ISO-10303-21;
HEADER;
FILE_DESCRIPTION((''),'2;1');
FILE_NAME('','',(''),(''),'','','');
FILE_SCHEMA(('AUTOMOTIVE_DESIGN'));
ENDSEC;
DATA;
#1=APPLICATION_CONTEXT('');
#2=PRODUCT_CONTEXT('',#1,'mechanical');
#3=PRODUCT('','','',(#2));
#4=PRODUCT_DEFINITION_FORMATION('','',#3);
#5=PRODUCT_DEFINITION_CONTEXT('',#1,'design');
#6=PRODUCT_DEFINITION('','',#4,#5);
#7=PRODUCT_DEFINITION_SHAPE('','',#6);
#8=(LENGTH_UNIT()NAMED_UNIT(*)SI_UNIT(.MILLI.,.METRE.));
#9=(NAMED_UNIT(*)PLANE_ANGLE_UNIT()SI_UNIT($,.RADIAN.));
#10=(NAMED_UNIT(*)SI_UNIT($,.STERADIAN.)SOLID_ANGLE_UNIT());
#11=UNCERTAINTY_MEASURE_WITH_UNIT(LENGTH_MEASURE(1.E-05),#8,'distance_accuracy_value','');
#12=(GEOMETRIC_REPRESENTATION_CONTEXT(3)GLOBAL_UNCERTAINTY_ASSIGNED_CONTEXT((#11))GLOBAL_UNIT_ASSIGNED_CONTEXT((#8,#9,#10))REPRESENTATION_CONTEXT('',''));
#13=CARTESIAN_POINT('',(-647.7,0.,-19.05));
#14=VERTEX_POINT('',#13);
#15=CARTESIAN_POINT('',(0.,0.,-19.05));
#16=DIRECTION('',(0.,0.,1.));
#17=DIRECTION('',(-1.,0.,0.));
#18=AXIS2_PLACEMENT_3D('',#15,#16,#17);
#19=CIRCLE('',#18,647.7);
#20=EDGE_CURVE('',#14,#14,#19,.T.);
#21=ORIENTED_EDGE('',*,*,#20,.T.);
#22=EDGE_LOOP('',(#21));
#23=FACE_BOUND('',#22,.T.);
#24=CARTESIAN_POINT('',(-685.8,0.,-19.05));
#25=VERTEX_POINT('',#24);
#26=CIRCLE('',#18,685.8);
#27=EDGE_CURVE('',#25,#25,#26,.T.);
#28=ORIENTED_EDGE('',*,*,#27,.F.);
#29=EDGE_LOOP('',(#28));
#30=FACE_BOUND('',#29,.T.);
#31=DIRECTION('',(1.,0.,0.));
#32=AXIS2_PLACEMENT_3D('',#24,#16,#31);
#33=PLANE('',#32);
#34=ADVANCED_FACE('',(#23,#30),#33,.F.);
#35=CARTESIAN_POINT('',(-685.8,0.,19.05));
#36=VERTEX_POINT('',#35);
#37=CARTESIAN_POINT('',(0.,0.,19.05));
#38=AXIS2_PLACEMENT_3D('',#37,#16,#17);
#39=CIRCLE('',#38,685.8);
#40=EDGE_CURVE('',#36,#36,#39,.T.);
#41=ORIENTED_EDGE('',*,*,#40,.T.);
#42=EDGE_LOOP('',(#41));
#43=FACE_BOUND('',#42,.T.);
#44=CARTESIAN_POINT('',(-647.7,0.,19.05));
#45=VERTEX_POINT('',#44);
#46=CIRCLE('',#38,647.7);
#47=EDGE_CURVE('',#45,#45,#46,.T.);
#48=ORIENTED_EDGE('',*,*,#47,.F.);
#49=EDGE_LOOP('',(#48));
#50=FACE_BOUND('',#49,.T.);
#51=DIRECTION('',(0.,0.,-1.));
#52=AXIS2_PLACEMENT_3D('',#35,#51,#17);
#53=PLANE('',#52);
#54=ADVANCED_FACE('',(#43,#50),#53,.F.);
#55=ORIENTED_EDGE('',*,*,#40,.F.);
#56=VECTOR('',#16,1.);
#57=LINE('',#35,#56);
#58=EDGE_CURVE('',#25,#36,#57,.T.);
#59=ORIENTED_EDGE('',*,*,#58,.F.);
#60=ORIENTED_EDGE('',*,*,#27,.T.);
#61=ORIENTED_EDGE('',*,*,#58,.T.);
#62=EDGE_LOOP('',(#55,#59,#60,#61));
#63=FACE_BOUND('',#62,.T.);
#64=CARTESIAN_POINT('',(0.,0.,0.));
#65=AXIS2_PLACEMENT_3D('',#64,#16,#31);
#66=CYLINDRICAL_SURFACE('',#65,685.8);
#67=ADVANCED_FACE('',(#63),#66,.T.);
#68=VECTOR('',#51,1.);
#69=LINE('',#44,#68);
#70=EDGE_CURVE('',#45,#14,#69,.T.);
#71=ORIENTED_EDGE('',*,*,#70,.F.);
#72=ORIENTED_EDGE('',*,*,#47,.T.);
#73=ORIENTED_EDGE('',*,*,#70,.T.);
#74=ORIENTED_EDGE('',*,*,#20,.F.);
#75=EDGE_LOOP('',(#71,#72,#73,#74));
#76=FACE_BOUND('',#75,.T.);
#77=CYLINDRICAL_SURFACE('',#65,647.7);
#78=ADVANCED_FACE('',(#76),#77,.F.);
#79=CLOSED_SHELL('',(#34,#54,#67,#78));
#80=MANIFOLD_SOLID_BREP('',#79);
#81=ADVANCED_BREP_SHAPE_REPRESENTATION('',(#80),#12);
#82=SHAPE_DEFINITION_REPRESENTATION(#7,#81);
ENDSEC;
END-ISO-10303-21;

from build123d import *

# Parameters (mm, degrees)
SKETCH2_W = 38.1
SKETCH2_H = 38.1


with BuildPart() as part:
    # Sweep1: sweep along a path in Sketch1
    with BuildLine(Plane.XY) as sweep1_path:
        CenterArc((0, 0), 666.75, 0, 360)
    # Sketch2 → Sweep1 (sweep)
    with BuildSketch(Plane(origin=(0, 0, 0), x_dir=(1, 0, 0), z_dir=(0, 1, 0))):
        with Locations((-666.75, 0)):
            Rectangle(SKETCH2_W, SKETCH2_H)
    sweep(path=sweep1_path.line)


solid = part.part
